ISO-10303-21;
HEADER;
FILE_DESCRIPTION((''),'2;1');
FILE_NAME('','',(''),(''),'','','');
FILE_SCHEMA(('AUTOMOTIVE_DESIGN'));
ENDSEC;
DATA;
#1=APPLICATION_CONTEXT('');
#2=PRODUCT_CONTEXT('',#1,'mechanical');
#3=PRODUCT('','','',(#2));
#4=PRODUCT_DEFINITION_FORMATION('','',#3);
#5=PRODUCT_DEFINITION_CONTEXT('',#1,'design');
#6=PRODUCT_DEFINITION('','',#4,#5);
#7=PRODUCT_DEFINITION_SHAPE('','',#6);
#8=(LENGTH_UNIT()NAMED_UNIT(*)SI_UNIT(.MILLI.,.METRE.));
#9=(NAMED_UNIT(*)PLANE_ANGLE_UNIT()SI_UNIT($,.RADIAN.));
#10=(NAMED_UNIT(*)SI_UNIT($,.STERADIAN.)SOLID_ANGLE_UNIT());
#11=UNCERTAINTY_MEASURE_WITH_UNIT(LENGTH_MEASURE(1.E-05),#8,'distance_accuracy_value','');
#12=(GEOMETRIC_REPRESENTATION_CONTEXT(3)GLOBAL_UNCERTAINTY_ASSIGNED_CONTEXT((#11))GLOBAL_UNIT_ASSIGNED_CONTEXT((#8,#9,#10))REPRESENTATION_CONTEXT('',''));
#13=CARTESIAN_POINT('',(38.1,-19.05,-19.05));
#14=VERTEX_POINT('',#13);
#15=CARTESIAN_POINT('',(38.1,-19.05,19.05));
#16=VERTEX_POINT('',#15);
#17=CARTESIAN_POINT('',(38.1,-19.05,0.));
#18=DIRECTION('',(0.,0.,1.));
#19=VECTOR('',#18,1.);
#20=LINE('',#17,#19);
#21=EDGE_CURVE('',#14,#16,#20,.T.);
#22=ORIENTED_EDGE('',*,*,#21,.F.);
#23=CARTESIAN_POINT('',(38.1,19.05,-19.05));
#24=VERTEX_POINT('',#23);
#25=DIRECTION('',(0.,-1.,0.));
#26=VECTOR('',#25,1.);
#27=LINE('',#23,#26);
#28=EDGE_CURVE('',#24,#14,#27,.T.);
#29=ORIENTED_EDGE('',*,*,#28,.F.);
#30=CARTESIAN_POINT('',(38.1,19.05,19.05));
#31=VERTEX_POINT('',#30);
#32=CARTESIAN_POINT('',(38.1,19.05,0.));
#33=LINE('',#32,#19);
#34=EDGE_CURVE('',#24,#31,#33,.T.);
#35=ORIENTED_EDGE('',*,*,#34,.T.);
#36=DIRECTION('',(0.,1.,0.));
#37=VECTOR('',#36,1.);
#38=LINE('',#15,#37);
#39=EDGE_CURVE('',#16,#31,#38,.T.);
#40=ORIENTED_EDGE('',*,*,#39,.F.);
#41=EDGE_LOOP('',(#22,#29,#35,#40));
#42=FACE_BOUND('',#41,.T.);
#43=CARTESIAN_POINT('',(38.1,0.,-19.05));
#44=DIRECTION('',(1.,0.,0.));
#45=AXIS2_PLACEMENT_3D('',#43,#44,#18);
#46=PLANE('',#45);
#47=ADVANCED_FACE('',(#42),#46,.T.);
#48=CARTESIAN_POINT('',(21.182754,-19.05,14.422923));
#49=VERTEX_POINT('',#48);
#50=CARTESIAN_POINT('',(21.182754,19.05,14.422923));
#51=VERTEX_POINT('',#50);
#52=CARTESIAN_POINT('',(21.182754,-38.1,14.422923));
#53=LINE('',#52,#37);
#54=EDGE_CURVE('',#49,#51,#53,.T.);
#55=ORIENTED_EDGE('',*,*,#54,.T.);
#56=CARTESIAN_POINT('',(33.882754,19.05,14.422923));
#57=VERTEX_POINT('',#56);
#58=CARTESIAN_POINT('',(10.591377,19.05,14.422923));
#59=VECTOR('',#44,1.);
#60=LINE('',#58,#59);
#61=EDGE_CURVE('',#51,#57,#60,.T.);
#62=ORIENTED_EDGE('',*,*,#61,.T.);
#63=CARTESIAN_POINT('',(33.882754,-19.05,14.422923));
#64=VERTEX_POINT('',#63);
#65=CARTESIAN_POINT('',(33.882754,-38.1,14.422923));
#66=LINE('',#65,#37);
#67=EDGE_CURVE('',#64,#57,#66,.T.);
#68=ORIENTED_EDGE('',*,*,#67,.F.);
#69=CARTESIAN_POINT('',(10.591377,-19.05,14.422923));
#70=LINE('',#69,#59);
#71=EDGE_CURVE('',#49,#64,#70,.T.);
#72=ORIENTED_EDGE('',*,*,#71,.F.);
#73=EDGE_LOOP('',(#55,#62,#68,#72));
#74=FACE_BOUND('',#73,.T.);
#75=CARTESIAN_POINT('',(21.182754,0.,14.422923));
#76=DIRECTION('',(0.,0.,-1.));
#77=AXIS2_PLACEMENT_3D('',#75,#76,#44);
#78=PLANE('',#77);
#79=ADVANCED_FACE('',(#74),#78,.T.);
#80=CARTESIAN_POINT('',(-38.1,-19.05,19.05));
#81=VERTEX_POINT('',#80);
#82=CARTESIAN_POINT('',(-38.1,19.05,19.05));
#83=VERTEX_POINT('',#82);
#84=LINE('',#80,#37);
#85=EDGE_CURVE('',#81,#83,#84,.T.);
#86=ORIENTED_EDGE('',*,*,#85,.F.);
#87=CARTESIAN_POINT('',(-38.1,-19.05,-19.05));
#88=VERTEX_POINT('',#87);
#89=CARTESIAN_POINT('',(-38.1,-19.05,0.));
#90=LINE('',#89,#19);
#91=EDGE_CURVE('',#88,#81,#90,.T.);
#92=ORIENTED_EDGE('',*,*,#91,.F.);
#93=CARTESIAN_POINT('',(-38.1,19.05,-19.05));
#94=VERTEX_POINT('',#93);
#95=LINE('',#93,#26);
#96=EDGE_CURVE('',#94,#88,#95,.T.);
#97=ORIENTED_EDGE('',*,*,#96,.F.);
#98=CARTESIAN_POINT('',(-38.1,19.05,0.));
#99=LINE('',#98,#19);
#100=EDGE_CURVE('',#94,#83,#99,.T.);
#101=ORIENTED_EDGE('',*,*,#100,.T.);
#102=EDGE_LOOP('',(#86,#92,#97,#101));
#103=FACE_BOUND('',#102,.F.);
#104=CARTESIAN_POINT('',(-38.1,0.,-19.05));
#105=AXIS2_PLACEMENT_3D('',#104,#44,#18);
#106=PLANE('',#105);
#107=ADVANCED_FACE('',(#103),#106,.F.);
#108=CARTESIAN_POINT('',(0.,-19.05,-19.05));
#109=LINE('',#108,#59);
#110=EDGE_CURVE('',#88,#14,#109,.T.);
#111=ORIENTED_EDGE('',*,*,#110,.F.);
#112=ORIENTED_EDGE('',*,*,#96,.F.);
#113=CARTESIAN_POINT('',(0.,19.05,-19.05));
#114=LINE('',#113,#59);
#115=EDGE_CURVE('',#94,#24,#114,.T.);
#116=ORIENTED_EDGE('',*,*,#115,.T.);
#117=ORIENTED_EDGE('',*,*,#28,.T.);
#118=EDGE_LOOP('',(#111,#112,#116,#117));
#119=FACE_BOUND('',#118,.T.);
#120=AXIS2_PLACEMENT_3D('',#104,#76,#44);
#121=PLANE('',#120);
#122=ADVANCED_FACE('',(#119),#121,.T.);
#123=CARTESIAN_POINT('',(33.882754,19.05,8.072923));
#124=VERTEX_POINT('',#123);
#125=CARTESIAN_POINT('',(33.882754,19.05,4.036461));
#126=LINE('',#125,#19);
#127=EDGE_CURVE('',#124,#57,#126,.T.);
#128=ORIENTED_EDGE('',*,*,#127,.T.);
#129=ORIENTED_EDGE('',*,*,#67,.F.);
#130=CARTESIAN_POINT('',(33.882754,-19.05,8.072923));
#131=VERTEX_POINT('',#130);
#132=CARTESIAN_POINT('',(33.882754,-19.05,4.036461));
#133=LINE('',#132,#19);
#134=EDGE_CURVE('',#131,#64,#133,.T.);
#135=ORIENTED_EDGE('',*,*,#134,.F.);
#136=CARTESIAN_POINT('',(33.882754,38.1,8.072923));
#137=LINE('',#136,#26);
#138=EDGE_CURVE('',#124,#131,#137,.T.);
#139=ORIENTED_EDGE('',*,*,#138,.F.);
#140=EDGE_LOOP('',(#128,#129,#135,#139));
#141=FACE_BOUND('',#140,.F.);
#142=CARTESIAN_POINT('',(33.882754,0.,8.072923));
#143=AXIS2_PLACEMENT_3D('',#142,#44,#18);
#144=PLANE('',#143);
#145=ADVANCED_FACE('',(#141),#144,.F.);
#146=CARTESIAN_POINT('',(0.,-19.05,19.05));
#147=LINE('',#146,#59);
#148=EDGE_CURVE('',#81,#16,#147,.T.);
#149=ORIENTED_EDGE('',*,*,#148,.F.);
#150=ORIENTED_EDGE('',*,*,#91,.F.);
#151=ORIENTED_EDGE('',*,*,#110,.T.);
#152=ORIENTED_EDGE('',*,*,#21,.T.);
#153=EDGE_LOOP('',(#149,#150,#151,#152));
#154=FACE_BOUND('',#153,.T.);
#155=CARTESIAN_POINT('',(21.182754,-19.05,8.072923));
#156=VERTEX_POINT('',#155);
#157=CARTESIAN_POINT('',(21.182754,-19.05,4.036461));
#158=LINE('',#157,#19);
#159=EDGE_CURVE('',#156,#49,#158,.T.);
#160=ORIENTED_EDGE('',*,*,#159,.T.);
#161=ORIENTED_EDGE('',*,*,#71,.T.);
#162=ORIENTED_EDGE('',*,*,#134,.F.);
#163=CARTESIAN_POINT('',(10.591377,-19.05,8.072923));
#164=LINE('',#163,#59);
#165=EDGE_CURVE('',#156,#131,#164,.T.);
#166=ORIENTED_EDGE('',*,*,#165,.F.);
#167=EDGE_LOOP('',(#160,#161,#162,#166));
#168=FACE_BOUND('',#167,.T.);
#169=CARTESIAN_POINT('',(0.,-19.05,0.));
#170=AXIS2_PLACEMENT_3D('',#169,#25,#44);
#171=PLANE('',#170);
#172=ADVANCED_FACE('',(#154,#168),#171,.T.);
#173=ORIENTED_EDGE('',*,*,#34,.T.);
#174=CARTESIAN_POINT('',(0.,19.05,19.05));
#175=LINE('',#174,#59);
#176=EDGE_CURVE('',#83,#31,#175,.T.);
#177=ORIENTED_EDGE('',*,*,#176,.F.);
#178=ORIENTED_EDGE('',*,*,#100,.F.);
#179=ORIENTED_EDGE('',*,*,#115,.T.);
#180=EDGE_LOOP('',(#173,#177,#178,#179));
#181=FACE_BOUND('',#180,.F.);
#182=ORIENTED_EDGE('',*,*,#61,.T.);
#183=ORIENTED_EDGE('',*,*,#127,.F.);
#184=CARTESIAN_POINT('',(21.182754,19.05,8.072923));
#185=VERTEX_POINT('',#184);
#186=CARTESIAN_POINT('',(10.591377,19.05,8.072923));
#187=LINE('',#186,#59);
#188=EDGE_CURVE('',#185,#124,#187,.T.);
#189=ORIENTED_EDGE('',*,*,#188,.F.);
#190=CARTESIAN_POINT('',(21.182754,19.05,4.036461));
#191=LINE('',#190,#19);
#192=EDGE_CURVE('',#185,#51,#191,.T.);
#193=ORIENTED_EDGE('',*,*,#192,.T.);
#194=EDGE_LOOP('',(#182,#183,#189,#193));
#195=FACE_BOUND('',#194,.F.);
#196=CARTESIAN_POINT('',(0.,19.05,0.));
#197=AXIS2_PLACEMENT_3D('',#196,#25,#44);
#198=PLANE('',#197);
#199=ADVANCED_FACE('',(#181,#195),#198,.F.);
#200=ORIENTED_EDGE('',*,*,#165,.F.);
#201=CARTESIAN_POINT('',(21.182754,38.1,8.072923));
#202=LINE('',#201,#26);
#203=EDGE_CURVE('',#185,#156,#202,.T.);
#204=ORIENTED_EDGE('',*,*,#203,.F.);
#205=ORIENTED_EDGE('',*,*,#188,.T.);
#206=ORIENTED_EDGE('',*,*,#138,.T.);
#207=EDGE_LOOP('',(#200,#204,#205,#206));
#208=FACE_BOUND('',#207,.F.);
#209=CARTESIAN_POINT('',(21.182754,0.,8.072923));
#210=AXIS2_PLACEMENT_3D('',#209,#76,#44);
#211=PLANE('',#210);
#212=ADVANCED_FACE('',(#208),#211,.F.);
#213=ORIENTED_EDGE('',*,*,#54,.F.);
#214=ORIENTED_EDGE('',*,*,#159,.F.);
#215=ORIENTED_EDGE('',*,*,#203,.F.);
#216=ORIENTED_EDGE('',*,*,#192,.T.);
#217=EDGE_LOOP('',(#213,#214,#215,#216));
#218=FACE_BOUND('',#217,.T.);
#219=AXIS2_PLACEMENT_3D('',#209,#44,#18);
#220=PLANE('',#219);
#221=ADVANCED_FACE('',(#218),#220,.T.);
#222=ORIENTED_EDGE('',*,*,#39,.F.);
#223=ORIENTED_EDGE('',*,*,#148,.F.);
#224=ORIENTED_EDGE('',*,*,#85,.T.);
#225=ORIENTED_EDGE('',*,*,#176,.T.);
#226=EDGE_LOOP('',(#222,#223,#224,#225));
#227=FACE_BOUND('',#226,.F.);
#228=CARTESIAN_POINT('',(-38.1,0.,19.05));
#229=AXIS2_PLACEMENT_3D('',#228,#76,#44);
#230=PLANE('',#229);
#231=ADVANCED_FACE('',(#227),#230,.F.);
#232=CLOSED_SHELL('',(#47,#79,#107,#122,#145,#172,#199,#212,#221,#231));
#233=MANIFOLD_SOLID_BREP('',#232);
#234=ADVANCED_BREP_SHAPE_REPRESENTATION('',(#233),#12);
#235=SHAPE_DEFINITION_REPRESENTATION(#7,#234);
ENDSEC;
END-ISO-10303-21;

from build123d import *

# Parameters (mm, degrees)
F0_W     = 76.2
F0_H     = 38.1
F1_DEPTH = 19.05
F2_W     = 12.7
F2_H     = 6.35
F3_DEPTH = 38.1


with BuildPart() as f1:
    # F0 (on Front) → F1 (new body, symmetric)
    with BuildSketch(Plane.XZ):
        Rectangle(F0_W, F0_H)
    extrude(amount=F1_DEPTH, both=True)

    # F2 (on Front) → F3 (cut, symmetric)
    with BuildSketch(Plane.XZ):
        with Locations((27.532754, 11.247923)):
            Rectangle(F2_W, F2_H)
    extrude(amount=F3_DEPTH, both=True, mode=Mode.SUBTRACT)


solid = f1.part
